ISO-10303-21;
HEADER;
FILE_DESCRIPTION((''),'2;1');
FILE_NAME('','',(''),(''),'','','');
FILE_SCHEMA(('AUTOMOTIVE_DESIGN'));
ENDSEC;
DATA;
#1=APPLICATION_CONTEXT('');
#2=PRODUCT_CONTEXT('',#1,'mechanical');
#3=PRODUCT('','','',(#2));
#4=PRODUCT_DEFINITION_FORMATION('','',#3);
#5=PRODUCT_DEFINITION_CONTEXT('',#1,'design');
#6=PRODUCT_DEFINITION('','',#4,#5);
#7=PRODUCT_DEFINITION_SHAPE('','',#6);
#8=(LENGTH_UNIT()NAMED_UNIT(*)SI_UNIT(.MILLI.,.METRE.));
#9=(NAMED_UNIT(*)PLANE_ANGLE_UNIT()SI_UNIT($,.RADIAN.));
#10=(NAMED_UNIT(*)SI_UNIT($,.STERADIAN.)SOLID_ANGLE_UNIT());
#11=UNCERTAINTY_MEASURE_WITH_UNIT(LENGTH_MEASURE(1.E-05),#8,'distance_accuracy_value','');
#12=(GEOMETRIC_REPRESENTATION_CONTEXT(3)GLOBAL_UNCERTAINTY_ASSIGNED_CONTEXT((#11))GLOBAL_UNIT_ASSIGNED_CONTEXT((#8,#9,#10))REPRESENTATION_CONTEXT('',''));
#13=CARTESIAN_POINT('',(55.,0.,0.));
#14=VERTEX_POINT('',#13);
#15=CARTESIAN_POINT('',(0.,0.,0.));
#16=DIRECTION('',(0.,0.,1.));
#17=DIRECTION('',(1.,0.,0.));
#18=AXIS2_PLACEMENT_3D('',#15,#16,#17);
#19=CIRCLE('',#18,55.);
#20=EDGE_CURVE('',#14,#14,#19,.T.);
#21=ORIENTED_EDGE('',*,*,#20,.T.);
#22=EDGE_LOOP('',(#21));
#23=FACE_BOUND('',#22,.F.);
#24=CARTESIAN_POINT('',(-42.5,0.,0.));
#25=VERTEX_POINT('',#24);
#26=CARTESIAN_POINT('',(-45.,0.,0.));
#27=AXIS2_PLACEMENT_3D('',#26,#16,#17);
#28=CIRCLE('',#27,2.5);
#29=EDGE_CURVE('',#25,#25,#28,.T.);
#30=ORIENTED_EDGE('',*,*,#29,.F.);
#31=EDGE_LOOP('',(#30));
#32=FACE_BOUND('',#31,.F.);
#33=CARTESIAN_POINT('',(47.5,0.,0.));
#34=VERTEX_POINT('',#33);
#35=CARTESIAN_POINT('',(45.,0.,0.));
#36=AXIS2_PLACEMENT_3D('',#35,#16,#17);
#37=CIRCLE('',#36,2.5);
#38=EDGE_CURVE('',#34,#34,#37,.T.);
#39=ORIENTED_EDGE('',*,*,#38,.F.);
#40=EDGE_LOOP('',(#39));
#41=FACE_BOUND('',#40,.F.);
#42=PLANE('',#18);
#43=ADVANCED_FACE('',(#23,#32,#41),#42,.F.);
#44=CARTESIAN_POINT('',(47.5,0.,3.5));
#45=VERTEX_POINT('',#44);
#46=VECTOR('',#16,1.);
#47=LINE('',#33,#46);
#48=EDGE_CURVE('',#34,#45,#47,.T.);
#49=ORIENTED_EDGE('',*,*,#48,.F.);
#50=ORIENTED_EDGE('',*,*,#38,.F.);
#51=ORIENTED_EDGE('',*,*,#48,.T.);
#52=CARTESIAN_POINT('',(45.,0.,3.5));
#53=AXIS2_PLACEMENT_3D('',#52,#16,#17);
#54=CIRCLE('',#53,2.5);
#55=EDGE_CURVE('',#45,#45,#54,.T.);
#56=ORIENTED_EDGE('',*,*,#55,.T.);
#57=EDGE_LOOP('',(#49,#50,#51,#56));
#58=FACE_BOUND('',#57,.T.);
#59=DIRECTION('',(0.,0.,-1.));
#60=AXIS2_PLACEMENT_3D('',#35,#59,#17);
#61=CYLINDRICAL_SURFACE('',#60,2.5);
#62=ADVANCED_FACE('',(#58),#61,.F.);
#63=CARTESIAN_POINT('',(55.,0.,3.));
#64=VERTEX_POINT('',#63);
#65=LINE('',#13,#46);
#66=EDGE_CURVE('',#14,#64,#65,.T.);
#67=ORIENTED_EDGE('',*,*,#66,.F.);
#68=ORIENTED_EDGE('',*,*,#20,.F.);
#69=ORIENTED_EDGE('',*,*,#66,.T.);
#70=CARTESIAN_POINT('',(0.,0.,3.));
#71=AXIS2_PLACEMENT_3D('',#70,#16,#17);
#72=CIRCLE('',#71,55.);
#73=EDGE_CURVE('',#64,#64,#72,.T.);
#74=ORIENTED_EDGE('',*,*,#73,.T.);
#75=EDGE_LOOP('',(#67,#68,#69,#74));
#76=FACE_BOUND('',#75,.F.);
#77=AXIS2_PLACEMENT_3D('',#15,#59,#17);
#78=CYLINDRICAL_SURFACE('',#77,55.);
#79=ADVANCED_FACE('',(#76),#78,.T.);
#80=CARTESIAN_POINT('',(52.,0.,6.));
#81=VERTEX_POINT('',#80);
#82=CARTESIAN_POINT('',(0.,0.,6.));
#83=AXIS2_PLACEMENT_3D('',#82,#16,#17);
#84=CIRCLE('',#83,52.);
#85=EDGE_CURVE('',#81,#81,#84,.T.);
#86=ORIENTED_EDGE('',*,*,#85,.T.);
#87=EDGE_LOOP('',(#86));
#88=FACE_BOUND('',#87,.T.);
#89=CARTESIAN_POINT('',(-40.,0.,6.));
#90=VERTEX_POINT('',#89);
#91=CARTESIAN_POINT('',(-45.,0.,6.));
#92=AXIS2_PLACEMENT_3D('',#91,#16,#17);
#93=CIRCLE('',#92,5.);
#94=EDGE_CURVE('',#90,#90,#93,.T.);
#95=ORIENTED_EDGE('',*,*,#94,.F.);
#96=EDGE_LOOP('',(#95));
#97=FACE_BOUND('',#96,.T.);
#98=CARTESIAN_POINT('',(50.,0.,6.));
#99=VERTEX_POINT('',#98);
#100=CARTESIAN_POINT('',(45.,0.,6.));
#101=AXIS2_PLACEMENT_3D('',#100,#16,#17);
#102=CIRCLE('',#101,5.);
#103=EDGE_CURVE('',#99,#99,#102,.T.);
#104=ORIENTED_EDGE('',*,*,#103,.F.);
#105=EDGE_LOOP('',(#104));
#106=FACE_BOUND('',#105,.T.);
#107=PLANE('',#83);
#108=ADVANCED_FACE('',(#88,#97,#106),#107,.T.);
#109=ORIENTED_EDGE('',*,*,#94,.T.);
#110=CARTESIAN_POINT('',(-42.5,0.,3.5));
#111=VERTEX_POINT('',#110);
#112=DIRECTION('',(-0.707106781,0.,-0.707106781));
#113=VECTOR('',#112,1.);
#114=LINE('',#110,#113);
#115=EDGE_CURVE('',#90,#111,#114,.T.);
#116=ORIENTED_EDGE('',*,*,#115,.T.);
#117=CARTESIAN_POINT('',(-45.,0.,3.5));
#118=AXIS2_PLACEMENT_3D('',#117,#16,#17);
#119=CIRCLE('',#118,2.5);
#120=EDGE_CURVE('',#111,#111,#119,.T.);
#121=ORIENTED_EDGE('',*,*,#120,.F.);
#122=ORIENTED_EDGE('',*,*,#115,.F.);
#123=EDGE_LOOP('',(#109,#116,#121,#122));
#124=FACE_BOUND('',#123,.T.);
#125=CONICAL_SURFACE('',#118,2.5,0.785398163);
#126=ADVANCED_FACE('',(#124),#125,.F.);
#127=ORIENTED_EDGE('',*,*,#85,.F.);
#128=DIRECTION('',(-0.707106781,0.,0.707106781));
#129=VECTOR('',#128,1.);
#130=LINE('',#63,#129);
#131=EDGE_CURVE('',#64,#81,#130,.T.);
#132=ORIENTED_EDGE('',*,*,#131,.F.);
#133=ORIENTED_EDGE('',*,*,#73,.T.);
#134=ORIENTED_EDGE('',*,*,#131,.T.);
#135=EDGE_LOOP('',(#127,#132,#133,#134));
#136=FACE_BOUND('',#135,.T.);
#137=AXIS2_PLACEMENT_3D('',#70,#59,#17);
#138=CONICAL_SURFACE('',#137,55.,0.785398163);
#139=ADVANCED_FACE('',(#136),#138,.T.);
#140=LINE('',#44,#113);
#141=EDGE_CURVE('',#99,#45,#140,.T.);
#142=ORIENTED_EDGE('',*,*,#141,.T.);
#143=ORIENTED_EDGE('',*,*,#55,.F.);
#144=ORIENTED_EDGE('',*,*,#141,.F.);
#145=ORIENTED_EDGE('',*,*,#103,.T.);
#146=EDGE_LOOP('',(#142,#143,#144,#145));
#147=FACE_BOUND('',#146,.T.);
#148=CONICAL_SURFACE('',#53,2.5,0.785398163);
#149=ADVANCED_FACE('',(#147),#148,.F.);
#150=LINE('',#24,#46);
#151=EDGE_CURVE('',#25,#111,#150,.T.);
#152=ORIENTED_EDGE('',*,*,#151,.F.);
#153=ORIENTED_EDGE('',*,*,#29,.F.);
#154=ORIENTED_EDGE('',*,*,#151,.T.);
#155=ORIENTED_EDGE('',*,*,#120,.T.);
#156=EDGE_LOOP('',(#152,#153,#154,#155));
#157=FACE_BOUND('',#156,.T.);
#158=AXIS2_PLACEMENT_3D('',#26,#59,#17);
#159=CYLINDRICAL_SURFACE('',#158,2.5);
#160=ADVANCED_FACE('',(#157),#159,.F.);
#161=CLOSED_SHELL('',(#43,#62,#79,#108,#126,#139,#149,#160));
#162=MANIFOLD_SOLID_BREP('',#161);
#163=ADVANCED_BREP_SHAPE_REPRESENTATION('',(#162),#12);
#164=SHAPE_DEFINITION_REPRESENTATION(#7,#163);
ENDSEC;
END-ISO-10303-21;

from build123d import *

# Parameters (mm, degrees)
F0_R     = 55
F0_R_2   = 2.5
F1_DEPTH = 6
F2_SIZE  = 3
F3_SIZE  = 2.5


with BuildPart() as f1:
    # F0 (on Top) → F1 (new body)
    with BuildSketch(Plane.XY):
        Circle(F0_R)
        with Locations((-45, 0)):
            Circle(F0_R_2, mode=Mode.SUBTRACT)
        with Locations((45, 0)):
            Circle(F0_R_2, mode=Mode.SUBTRACT)
    extrude(amount=F1_DEPTH)

    # F2
    f2_edges = [f1.edges().sort_by_distance(p)[0] for p in [
        (-55, 0, 6),
    ]]
    chamfer(f2_edges, length=F2_SIZE)

    # F3
    f3_edges = [f1.edges().sort_by_distance(p)[0] for p in [
        (-47.5, 0, 6),
        (42.5, 0, 6),
    ]]
    chamfer(f3_edges, length=F3_SIZE)


solid = f1.part
